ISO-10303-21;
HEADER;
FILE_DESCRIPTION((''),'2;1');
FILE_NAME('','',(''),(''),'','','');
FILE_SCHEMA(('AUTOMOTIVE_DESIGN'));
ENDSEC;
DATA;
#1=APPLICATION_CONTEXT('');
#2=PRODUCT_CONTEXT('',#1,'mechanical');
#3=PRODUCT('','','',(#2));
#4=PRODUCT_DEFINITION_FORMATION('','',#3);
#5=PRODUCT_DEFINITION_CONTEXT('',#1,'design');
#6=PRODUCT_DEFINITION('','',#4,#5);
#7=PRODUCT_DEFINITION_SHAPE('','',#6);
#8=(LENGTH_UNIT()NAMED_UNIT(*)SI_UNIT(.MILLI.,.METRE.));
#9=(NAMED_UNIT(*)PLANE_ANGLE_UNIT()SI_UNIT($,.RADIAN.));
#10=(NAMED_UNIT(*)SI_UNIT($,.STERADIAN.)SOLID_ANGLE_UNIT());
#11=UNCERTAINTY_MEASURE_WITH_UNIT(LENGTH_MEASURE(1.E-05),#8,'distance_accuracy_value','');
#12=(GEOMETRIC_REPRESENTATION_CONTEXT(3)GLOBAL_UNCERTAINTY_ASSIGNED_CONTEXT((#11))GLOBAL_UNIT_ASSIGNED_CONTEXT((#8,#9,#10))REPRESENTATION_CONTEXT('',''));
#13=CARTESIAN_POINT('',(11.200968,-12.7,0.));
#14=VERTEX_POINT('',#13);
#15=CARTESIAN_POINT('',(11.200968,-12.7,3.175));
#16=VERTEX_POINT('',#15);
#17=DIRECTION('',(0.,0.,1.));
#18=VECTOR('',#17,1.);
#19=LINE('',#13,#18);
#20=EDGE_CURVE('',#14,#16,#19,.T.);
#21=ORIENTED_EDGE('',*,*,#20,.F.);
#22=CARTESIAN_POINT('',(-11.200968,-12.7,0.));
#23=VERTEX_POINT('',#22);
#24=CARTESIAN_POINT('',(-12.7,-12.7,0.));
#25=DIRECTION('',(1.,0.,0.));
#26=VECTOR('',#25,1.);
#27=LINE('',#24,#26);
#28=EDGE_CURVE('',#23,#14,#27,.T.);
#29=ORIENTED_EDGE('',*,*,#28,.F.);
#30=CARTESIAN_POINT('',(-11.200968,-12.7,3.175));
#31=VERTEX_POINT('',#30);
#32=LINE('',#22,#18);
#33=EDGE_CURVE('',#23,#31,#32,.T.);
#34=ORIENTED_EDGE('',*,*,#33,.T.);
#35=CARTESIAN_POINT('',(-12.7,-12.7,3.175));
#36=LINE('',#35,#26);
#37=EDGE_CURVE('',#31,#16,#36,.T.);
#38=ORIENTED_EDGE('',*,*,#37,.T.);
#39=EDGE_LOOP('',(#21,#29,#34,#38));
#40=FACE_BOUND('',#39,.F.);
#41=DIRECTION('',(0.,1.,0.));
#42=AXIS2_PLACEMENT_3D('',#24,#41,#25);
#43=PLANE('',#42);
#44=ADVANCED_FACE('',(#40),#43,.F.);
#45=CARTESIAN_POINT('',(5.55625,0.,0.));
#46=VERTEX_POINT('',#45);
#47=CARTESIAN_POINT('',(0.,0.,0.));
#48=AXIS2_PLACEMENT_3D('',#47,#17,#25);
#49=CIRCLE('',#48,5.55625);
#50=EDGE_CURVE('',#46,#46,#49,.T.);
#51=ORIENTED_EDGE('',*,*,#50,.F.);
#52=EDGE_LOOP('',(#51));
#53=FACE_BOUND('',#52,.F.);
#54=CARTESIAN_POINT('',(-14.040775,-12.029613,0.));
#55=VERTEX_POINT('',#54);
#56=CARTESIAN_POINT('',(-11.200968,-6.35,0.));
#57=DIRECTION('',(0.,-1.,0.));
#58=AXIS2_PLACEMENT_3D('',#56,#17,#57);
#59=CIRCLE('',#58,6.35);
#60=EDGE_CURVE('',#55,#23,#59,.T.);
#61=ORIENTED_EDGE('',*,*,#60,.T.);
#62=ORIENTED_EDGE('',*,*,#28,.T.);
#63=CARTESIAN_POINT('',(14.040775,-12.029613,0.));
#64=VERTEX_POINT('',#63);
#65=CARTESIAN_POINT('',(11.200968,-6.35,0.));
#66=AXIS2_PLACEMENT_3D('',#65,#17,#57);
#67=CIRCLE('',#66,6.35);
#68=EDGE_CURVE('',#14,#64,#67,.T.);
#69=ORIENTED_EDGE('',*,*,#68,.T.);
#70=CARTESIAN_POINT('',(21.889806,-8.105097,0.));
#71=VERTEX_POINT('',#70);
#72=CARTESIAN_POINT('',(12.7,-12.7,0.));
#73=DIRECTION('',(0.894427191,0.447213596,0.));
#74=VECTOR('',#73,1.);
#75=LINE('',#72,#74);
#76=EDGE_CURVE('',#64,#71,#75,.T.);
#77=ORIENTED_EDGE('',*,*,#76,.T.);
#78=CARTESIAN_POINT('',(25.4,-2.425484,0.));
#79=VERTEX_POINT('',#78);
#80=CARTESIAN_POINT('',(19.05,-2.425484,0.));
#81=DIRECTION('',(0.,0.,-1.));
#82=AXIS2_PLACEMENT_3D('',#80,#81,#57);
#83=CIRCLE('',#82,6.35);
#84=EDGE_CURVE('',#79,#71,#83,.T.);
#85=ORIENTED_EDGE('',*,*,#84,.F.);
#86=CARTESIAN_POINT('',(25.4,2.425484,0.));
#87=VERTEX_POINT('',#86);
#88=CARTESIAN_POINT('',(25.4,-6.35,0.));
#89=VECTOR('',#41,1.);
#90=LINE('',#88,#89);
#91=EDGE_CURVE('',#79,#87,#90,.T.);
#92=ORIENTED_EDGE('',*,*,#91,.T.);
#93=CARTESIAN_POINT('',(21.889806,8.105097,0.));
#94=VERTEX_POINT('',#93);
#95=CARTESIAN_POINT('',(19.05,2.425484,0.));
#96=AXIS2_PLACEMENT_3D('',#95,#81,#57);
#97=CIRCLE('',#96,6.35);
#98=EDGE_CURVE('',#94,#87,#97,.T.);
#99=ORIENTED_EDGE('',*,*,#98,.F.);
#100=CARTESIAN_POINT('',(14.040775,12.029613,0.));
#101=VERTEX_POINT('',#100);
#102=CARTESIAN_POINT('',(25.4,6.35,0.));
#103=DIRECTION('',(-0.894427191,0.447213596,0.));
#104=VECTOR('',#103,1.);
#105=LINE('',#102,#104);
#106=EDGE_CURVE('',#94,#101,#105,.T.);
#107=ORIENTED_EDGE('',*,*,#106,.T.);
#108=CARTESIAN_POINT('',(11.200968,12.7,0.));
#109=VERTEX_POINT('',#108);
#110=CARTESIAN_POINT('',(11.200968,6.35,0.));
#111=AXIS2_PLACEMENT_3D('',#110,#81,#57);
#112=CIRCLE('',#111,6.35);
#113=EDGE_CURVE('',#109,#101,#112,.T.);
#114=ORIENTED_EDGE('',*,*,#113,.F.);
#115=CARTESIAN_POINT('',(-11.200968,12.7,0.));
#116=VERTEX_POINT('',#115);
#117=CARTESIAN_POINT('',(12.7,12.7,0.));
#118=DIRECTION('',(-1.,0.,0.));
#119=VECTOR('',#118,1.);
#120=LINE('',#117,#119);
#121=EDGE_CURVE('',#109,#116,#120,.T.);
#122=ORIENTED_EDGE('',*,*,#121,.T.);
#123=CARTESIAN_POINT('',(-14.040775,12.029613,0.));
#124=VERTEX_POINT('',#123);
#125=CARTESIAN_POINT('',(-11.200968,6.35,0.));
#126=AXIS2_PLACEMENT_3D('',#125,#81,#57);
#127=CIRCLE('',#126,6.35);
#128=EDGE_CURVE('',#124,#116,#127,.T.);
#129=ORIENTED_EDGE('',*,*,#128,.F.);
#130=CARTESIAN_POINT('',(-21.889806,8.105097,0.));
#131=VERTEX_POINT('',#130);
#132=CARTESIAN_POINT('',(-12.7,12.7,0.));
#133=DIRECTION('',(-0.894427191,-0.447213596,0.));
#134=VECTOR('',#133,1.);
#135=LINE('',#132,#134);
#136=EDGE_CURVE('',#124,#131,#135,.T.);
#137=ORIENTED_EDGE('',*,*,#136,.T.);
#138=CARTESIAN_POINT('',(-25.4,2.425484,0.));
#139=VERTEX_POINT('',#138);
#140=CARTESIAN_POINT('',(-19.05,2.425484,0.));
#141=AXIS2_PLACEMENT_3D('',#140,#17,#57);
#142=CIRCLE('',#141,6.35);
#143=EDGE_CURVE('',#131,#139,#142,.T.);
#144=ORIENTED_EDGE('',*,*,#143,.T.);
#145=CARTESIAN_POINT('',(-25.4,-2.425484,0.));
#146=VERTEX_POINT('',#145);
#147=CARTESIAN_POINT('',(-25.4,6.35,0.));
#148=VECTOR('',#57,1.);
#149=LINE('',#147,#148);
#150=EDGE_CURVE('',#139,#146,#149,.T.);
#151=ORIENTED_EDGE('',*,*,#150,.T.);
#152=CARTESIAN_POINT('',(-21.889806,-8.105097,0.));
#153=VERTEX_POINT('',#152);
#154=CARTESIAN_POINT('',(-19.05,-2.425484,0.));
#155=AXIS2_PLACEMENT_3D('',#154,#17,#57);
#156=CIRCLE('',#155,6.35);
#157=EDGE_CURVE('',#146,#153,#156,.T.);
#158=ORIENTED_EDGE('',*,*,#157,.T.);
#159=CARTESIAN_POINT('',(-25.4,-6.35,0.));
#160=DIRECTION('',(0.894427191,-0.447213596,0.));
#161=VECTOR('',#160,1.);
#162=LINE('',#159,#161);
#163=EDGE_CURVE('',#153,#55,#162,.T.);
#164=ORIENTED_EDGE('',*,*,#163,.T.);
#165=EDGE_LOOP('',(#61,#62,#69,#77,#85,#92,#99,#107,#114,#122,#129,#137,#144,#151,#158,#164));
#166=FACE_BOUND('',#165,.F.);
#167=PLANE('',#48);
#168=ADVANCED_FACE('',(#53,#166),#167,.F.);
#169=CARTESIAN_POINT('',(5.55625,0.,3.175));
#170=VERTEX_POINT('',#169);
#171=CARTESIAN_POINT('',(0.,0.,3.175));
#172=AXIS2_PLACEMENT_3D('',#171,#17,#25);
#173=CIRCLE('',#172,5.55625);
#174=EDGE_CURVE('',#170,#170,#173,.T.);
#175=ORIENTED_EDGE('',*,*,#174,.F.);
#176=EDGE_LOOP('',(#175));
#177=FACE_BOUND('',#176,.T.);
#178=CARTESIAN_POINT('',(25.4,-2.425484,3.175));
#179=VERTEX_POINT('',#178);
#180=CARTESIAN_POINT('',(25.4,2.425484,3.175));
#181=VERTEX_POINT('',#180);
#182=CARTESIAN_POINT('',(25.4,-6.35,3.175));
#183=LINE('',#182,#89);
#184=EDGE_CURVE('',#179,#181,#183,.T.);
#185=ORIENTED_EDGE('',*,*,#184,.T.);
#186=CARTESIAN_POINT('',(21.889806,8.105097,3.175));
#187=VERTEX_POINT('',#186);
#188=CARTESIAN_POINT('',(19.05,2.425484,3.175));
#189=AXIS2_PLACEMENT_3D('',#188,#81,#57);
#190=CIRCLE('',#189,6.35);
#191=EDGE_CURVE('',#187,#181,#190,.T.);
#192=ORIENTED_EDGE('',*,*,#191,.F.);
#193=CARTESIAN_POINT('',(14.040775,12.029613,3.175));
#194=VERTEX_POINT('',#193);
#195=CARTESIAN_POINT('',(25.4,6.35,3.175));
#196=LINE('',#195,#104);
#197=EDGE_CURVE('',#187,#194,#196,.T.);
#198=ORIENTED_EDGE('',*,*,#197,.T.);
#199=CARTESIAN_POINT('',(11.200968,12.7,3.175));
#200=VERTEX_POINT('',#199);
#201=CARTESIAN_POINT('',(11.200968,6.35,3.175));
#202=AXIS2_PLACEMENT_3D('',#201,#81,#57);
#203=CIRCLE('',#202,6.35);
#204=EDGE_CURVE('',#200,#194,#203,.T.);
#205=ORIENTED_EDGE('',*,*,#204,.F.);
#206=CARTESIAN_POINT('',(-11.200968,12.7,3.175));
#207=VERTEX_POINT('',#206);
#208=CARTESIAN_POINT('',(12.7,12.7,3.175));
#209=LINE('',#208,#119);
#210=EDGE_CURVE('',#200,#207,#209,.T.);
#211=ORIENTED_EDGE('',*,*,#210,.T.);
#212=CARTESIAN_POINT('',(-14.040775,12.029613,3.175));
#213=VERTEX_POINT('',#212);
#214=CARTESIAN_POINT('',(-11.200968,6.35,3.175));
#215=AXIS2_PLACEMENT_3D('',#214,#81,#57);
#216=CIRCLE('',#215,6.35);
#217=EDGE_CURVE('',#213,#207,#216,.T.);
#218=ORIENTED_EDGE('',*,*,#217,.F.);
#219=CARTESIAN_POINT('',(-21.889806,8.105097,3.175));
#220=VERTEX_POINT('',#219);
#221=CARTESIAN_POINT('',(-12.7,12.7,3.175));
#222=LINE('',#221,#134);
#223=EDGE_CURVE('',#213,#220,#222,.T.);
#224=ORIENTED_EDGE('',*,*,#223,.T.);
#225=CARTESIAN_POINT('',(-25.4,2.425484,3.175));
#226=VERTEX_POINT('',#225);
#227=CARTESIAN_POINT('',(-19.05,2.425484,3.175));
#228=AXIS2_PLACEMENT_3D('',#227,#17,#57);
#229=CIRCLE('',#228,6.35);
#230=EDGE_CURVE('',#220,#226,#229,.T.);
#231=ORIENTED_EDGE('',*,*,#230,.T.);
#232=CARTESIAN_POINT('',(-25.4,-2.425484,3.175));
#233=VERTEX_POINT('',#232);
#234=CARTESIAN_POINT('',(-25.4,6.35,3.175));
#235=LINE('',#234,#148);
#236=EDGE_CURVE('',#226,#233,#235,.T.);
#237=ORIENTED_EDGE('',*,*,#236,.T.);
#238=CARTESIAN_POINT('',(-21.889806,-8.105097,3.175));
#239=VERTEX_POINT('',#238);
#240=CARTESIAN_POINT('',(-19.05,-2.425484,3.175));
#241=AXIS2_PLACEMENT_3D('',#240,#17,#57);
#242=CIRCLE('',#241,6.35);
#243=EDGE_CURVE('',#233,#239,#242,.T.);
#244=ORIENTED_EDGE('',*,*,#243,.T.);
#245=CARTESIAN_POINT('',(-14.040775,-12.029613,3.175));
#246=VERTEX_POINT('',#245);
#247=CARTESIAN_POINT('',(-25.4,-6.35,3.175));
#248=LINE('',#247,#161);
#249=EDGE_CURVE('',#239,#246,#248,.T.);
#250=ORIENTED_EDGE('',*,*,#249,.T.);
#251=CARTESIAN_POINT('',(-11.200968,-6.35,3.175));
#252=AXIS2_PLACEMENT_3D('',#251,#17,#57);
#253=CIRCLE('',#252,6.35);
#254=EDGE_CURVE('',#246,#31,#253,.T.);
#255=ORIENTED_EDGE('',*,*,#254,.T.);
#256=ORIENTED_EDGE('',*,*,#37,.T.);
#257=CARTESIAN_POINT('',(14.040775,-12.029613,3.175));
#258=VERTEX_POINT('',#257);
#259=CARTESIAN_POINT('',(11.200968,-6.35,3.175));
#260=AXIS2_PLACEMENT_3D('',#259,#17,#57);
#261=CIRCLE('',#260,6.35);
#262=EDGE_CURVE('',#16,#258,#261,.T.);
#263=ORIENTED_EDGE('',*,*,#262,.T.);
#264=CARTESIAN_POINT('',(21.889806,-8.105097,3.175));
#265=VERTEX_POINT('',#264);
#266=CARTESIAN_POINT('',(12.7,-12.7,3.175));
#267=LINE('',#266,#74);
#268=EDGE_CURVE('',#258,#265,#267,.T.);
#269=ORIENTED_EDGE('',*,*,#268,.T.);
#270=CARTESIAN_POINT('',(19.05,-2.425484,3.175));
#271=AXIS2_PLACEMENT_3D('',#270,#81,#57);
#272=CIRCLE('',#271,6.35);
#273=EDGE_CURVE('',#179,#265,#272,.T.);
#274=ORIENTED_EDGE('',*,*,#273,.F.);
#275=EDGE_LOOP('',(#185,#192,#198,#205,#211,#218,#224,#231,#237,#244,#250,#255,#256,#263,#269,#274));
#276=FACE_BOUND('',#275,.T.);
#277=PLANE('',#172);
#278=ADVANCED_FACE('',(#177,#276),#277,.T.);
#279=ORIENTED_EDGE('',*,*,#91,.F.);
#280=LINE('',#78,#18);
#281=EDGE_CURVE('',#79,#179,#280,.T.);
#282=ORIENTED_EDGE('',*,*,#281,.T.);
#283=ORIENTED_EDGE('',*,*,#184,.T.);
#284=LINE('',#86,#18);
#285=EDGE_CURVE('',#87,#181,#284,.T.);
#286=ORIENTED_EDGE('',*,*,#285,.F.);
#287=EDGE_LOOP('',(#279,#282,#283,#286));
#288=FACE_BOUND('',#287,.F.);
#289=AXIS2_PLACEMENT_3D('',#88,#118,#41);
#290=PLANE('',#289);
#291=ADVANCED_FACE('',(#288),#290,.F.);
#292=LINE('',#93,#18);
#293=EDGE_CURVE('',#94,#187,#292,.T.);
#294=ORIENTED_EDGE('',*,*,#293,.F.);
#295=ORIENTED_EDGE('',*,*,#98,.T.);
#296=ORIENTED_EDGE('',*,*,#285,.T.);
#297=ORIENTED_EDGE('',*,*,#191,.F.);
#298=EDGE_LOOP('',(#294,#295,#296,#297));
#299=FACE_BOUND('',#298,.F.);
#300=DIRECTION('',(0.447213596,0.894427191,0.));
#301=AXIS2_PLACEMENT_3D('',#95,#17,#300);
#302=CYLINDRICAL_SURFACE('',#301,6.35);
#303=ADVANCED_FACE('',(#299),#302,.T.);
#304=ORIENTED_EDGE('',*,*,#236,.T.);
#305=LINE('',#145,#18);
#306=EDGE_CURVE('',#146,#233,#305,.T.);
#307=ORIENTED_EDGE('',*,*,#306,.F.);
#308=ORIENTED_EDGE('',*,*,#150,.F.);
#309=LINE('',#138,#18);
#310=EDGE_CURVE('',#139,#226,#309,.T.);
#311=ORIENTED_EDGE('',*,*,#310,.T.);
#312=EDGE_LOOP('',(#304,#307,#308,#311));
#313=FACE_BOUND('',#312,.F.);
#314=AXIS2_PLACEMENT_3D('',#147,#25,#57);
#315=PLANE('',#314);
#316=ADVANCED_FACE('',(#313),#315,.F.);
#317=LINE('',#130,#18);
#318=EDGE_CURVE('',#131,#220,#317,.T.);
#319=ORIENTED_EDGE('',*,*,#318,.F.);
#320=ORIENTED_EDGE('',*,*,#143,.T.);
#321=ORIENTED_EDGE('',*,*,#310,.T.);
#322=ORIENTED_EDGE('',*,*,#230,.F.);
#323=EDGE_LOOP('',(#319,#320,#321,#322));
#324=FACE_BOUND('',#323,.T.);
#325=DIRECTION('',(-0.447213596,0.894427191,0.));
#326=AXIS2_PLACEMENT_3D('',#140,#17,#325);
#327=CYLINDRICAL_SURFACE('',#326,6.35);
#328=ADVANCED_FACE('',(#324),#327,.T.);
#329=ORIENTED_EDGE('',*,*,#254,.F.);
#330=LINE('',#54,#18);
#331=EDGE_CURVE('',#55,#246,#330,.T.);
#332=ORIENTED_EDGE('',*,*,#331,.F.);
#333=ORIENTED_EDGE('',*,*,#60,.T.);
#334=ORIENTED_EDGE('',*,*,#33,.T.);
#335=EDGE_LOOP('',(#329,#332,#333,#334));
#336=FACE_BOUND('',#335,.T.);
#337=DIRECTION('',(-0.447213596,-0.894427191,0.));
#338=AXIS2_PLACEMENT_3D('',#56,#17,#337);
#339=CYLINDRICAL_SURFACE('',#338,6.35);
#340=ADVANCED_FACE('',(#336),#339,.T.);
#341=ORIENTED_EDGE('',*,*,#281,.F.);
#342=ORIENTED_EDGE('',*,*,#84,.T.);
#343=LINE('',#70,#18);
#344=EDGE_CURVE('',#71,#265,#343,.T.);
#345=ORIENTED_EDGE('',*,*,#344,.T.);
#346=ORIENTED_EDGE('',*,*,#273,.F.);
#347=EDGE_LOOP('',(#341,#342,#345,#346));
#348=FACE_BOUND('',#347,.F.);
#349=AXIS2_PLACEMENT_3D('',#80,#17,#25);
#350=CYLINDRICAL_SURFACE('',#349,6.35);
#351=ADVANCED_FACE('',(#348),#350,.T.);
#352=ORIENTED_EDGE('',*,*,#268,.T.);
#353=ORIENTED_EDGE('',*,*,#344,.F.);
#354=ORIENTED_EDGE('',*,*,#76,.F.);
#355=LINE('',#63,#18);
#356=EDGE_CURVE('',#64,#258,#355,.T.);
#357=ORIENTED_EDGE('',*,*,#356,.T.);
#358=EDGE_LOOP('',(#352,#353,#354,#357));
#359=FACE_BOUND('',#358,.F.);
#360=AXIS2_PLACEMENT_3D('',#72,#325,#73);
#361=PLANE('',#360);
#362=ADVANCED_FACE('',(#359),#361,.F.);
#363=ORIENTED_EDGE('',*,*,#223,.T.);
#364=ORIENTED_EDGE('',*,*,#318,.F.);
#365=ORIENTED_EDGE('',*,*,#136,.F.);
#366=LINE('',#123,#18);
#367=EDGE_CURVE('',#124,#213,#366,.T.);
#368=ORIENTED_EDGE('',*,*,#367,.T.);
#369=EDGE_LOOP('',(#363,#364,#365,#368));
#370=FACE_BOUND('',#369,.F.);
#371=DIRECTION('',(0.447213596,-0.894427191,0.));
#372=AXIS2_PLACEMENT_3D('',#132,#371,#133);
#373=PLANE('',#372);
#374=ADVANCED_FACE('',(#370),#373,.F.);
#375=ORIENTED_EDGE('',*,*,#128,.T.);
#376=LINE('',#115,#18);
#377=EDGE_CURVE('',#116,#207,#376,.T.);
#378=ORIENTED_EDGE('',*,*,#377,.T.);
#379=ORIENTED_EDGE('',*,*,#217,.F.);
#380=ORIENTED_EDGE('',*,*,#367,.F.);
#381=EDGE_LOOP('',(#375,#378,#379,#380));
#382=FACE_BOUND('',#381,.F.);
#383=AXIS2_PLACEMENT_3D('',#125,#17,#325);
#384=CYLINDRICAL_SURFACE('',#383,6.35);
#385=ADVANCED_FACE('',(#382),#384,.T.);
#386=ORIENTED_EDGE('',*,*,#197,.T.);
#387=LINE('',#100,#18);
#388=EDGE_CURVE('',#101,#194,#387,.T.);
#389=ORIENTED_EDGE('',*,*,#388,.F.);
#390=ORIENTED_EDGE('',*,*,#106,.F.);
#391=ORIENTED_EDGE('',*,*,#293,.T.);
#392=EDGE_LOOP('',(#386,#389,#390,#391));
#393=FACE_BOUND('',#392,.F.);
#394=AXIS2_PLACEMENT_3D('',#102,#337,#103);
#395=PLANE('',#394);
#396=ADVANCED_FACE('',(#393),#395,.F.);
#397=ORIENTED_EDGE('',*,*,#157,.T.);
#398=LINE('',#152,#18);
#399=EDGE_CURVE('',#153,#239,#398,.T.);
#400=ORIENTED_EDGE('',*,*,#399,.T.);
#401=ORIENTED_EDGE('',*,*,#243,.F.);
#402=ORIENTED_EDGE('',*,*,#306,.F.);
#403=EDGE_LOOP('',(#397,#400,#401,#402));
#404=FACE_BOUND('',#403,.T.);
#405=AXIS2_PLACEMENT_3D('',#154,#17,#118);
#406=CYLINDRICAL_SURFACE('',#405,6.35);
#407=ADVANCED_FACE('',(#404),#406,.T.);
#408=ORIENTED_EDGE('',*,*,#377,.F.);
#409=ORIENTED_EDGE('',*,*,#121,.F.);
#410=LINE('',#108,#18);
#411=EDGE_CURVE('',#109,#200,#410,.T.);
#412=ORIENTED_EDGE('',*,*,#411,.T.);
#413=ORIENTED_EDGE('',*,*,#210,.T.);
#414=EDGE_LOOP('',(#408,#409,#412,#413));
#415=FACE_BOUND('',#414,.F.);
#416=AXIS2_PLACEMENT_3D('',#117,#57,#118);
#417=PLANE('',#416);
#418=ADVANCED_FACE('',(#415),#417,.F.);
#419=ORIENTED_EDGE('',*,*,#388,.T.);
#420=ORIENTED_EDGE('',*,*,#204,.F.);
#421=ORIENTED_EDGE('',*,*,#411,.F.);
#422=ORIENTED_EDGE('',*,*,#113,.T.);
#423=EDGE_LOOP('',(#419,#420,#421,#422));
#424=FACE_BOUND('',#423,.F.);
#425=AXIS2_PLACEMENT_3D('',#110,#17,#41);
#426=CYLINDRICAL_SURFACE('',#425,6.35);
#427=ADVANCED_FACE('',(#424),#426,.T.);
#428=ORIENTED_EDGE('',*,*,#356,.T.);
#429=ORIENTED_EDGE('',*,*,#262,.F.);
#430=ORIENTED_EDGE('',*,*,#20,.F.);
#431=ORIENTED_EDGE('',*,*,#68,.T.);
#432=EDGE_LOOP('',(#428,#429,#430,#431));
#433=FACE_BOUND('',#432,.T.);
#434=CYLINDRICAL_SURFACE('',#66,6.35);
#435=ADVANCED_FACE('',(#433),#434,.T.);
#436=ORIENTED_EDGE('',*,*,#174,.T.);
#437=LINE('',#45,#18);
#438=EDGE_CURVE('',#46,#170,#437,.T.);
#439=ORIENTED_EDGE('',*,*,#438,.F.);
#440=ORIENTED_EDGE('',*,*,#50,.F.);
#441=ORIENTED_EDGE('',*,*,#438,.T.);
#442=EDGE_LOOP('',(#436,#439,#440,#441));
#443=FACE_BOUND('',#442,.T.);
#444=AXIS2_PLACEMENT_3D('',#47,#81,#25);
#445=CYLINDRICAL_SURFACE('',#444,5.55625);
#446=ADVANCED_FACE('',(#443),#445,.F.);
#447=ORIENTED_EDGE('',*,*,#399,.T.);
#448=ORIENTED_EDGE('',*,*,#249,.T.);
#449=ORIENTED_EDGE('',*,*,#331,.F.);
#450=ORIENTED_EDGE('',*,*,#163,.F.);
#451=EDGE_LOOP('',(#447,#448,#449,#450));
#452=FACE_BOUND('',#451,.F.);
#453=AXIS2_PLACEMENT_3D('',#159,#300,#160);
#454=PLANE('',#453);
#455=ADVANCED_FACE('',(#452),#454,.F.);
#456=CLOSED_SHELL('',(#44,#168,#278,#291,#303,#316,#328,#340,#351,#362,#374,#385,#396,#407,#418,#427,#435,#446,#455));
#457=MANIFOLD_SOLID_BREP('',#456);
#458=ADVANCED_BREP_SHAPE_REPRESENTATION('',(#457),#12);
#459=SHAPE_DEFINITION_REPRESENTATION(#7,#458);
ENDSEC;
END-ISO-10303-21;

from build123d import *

# Parameters (mm, degrees)
F0_R     = 5.55625
F1_DEPTH = 3.175
F2_R     = 6.35


with BuildPart() as f1:
    # F0 (on Top) → F1 (new body)
    with BuildSketch(Plane.XY):
        Polygon((-12.7, 12.7), (-25.4, 6.35), (-25.4, -6.35), (-12.7, -12.7), (12.7, -12.7), (25.4, -6.35), (25.4, 6.35), (12.7, 12.7), align=None)
        Circle(F0_R, mode=Mode.SUBTRACT)
    extrude(amount=F1_DEPTH)

    # F2
    f2_edges = [f1.edges().sort_by_distance(p)[0] for p in [
        (-12.7, -12.7, 1.5875),
        (12.7, -12.7, 1.5875),
        (25.4, -6.35, 1.5875),
        (25.4, 6.35, 1.5875),
        (12.7, 12.7, 1.5875),
        (-12.7, 12.7, 1.5875),
        (-25.4, 6.35, 1.5875),
        (-25.4, -6.35, 1.5875),
    ]]
    fillet(f2_edges, radius=F2_R)


solid = f1.part
